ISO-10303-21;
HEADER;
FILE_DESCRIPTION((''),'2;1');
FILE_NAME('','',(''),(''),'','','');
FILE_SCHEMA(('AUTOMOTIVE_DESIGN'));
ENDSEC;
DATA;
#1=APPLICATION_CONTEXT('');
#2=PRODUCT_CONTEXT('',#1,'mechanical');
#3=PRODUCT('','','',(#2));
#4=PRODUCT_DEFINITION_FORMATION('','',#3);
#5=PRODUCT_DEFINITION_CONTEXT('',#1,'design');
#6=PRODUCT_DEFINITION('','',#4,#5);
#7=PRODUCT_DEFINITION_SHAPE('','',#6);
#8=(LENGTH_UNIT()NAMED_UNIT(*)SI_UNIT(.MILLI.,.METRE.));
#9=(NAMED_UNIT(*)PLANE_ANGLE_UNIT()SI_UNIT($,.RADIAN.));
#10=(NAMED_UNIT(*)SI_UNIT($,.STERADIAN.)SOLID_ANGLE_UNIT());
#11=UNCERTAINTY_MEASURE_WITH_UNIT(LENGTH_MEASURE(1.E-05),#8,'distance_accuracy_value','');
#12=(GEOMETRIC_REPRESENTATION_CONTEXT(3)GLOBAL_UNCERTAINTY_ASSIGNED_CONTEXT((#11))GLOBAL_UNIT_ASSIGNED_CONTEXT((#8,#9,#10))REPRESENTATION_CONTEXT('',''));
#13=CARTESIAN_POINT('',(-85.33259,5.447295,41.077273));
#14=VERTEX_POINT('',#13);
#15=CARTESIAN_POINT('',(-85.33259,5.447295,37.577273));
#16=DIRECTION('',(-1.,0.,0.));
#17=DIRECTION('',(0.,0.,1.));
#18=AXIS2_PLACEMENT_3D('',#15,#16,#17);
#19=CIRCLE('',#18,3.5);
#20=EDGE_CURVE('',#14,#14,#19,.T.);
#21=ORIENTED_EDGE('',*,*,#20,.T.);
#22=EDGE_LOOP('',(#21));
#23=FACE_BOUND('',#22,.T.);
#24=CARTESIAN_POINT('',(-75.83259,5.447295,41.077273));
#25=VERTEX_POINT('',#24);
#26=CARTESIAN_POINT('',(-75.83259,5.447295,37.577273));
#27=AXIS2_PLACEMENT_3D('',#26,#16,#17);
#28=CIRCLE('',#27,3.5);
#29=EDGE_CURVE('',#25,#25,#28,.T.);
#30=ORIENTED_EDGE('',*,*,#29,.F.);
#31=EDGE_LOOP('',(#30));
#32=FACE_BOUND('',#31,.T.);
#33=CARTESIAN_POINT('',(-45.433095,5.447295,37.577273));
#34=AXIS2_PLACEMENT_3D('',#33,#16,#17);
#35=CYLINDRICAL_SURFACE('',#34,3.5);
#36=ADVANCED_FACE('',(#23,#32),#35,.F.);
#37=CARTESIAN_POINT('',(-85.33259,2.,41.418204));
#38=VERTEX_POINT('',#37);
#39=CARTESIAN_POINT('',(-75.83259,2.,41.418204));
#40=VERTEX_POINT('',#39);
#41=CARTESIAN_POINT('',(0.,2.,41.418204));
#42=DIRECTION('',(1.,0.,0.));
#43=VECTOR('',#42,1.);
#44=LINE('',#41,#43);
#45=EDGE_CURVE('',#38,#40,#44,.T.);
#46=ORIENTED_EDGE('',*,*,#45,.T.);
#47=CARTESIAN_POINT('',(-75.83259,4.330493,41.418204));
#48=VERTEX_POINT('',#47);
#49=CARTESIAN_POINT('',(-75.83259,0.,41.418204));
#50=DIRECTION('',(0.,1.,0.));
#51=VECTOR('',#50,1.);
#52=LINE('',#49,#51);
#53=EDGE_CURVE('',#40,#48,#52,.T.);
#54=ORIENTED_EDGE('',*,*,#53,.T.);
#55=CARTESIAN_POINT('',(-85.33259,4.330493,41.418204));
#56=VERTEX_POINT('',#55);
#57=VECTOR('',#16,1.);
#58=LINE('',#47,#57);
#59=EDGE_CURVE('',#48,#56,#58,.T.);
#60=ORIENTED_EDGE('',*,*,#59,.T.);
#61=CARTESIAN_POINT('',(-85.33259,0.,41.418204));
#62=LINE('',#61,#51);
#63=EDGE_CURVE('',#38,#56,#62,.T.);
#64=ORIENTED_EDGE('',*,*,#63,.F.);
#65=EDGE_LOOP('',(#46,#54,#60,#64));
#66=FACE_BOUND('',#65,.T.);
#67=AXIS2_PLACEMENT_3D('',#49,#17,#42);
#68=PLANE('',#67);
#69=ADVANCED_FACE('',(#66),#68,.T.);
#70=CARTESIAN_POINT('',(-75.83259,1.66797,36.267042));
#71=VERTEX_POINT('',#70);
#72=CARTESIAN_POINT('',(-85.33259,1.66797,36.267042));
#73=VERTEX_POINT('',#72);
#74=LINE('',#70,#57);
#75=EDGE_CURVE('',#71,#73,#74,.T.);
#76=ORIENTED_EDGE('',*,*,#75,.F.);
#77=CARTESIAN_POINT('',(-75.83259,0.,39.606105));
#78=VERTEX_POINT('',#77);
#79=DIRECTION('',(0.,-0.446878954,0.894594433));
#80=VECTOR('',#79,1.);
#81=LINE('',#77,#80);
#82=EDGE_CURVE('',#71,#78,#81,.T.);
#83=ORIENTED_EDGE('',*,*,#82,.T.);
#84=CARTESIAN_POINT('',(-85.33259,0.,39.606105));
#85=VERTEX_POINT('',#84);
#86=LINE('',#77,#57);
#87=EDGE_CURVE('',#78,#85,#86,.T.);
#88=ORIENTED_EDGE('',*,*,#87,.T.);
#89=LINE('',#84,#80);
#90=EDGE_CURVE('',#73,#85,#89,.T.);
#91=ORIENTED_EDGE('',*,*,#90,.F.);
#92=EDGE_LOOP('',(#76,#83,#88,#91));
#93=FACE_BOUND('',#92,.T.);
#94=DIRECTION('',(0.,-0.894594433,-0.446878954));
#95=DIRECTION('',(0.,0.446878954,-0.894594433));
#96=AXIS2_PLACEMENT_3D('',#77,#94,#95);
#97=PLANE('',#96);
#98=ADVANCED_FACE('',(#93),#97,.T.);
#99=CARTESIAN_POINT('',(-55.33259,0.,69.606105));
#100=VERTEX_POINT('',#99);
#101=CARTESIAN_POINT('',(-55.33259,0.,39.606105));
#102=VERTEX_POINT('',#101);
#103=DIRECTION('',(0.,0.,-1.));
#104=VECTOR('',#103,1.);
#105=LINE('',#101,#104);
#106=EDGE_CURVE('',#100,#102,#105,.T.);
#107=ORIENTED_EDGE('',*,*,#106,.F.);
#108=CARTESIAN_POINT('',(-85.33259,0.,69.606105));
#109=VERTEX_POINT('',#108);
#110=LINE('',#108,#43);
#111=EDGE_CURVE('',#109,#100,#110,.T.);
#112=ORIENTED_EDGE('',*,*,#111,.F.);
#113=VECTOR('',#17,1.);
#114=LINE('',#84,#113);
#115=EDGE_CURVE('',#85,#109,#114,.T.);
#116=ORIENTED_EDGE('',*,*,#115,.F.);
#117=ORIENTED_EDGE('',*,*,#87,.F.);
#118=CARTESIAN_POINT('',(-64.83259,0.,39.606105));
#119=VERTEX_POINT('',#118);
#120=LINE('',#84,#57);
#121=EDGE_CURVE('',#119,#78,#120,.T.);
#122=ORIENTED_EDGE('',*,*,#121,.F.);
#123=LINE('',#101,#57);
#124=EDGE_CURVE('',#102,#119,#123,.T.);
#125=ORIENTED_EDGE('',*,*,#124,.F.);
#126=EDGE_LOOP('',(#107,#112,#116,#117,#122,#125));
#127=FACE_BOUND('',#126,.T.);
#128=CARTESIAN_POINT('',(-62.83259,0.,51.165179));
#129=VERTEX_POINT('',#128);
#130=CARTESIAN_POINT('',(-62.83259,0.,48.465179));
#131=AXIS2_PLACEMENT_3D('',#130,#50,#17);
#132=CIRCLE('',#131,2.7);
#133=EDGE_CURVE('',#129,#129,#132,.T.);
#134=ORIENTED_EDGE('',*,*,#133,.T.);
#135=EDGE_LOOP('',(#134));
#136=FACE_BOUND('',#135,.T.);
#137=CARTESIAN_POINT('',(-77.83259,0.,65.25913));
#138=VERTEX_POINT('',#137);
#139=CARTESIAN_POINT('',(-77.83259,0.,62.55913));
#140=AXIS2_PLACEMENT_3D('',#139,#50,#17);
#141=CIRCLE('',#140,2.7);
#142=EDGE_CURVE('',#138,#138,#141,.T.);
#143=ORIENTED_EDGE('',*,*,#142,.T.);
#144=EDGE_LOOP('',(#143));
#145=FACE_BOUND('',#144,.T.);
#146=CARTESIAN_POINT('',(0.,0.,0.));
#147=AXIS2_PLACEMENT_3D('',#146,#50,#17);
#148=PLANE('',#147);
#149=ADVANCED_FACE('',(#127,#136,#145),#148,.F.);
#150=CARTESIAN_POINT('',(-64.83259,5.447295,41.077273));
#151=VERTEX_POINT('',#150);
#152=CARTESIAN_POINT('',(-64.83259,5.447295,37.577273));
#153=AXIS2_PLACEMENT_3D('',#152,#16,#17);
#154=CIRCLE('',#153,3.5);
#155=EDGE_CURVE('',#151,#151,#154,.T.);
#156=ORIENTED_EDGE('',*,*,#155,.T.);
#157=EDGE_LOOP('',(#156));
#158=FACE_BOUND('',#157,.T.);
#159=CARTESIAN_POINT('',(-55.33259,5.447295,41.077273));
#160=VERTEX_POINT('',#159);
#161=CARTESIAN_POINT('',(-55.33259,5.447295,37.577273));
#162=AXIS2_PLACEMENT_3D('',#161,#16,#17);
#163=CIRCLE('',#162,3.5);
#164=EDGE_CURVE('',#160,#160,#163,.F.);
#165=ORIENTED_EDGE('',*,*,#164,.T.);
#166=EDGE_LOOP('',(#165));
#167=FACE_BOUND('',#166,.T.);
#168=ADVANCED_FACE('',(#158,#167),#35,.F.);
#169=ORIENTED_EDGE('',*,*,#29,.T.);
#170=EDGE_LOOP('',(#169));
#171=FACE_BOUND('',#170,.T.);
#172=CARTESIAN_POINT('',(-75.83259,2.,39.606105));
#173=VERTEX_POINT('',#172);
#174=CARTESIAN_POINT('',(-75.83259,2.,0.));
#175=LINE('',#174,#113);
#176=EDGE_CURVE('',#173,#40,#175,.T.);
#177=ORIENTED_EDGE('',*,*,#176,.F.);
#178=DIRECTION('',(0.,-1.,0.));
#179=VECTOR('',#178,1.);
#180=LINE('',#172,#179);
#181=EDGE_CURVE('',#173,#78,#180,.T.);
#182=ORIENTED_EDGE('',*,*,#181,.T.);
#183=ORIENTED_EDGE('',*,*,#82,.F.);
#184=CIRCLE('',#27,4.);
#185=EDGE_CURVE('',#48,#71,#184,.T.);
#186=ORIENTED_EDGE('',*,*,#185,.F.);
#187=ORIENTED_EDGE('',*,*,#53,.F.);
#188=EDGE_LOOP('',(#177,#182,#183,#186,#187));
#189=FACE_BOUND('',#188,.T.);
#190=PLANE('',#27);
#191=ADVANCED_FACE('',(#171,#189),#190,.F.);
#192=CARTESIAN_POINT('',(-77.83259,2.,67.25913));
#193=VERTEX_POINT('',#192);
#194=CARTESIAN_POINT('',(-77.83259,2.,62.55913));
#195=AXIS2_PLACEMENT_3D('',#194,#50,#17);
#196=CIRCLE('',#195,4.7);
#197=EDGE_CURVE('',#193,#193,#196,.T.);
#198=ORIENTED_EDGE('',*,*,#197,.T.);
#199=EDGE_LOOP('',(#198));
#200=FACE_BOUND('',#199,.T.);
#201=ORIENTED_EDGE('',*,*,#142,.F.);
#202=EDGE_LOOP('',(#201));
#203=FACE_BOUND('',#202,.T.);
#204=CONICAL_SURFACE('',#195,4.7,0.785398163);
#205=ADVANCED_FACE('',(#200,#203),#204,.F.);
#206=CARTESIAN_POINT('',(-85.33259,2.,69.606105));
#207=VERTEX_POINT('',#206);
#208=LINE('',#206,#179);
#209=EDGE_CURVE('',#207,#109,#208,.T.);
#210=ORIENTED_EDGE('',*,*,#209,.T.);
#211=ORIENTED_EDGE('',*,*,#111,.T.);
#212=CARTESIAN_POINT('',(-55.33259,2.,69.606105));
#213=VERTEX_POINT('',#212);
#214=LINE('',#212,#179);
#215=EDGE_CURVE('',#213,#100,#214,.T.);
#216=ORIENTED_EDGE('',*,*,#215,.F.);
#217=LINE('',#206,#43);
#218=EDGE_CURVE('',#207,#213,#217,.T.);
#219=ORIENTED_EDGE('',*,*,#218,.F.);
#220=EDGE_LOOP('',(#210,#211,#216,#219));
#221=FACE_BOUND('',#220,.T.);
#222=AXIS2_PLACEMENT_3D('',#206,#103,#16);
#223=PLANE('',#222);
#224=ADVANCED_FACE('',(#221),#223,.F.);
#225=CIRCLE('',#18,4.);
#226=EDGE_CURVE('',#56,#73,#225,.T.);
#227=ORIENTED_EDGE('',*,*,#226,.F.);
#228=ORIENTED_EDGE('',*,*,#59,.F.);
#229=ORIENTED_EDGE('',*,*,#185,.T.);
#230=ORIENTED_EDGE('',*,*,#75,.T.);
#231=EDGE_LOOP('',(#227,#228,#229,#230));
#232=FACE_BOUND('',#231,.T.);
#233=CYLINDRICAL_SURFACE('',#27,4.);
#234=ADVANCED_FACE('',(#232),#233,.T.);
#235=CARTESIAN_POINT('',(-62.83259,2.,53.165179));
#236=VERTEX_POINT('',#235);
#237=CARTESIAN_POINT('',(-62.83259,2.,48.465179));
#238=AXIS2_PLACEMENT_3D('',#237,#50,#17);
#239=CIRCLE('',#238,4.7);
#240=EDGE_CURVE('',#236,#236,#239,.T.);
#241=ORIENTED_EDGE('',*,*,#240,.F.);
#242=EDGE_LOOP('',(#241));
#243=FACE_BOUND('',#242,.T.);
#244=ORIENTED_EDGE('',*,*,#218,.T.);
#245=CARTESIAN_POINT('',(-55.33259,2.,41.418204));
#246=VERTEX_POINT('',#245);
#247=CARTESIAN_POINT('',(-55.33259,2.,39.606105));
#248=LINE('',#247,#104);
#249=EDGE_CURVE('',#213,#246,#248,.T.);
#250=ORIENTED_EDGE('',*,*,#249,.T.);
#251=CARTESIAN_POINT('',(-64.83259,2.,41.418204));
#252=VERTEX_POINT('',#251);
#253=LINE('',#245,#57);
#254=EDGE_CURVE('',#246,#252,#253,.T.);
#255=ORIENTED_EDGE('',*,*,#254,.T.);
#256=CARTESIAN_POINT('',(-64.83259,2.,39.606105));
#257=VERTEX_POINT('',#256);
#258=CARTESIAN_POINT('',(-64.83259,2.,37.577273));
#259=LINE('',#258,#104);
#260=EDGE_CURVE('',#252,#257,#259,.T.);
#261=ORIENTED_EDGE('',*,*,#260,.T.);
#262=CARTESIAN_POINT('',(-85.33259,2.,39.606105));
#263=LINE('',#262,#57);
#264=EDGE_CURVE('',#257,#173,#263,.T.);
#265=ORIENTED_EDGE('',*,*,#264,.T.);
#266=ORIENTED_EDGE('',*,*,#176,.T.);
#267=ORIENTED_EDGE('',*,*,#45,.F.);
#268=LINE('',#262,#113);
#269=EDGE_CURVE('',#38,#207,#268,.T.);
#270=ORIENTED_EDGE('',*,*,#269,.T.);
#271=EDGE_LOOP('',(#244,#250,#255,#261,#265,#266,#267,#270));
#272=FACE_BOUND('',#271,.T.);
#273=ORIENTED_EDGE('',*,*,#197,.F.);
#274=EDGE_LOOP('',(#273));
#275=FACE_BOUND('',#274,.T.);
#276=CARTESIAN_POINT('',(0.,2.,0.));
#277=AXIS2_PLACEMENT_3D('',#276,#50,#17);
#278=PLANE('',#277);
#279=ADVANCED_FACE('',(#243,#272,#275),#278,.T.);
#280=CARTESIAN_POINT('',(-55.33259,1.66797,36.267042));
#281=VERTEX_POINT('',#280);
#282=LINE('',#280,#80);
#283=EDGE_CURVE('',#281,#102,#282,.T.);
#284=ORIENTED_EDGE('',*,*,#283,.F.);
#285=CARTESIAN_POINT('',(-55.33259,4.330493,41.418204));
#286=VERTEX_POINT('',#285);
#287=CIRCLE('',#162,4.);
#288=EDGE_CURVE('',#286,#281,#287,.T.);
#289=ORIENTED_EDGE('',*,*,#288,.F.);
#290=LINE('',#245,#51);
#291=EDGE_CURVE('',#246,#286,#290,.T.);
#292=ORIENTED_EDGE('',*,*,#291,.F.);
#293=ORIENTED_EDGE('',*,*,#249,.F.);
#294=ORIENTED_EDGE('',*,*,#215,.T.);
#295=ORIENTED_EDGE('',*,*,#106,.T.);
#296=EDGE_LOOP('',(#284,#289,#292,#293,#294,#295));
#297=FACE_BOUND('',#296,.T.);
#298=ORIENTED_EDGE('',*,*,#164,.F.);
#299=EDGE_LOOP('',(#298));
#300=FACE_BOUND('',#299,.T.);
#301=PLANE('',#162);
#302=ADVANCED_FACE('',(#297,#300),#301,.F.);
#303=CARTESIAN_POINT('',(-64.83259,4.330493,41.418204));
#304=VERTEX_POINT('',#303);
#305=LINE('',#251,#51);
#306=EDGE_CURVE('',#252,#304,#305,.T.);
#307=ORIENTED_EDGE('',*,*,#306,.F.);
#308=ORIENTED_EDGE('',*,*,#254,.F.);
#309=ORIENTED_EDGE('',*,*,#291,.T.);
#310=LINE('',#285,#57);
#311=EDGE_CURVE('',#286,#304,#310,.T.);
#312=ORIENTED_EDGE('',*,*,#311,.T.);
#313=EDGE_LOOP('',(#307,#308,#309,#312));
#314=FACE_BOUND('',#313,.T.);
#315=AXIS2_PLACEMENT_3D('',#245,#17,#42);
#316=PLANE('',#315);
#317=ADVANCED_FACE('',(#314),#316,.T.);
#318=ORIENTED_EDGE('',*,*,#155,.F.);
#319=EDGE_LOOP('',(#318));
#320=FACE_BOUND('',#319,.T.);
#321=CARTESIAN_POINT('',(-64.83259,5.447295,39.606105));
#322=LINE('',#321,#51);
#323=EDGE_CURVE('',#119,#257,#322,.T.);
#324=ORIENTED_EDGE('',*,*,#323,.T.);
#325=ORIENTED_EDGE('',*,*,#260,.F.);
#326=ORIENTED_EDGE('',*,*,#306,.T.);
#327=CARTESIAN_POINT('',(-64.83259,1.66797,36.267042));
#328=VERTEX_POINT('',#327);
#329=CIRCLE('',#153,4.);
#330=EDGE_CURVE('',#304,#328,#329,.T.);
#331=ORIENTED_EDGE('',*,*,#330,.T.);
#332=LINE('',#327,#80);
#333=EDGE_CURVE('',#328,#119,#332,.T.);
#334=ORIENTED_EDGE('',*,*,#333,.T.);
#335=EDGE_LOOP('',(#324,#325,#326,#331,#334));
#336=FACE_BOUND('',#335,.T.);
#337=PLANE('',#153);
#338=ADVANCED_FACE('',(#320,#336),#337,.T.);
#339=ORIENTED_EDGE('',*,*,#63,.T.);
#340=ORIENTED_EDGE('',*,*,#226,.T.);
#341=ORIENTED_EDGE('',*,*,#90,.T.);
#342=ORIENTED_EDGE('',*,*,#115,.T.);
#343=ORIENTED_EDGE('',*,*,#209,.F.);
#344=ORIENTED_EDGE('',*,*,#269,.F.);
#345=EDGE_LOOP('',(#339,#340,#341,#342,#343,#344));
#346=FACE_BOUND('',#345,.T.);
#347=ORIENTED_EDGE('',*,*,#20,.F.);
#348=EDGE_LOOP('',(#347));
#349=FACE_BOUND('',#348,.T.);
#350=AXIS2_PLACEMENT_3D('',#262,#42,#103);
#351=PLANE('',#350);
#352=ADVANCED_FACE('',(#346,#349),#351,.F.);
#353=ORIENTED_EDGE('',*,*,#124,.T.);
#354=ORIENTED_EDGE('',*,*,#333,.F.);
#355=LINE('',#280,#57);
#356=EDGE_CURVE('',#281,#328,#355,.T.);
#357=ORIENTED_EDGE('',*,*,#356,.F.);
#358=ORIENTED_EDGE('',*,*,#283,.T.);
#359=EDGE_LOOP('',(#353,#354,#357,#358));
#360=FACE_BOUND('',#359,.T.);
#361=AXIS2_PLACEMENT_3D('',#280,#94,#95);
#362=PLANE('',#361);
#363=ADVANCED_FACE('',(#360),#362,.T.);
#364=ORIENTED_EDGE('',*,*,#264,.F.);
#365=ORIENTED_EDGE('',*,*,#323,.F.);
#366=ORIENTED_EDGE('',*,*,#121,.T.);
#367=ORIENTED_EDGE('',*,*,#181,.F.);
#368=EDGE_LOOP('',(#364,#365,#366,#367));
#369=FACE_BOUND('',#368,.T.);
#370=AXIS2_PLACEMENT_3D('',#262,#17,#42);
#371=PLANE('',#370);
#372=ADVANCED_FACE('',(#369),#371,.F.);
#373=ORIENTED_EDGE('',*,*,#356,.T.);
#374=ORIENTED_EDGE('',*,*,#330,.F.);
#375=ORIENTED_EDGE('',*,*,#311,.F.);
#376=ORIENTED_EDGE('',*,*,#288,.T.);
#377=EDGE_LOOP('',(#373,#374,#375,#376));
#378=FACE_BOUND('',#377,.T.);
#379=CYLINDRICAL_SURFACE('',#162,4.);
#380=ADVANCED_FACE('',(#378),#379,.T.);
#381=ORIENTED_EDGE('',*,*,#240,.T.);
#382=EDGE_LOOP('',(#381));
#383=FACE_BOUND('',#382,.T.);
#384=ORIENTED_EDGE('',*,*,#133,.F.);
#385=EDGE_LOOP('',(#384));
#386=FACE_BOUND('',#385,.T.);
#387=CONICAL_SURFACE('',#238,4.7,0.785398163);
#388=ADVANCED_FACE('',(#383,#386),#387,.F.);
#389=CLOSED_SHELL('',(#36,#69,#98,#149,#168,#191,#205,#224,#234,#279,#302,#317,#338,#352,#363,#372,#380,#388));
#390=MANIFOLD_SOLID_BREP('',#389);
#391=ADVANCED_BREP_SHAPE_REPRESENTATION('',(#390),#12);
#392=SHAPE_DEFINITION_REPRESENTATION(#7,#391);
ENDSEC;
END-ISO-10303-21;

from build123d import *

# Parameters (mm, degrees)
SKETCH_1_W                  = 30
SKETCH_1_H                  = 30
EXTRUDE_1_DEPTH             = 2
SKETCH_2_R                  = 4
EXTRUDE_2_DEPTH             = 9.5
SKETCH_3_R                  = 4
EXTRUDE_3_DEPTH             = 9.5
CUT_EXTRUDE_START           = -30
SKETCH_4_R                  = 3.5
CUT_EXTRUDE_1_DEPTH         = 30
EXTRUDE_4_DEPTH             = 9.5
EXTRUDE_START               = -9.5
EXTRUDE_5_DEPTH             = 9.5
HOLE_WIZARD_M41_D           = 4.5
HOLE_WIZARD_M41_DEPTH       = 21
HOLE_WIZARD_M41_CSINK_D     = 9.4
HOLE_WIZARD_M41_CSINK_ANGLE = 90
HOLE_WIZARD_M41_TIP         = 1.351936393


with BuildPart() as part:
    # Эскиз1 → Бобышка-Вытянуть1 (new body)
    with BuildSketch(Plane(origin=(0, 0, 0), x_dir=(1, 0, 0), z_dir=(0, 1, 0))):
        with Locations((-70.332590066, -54.606104746)):
            Rectangle(SKETCH_1_W, SKETCH_1_H)
    extrude(amount=EXTRUDE_1_DEPTH)



with BuildPart() as body_2:
    # Эскиз2 → Бобышка-Вытянуть2 (new body)
    with BuildSketch(Plane.ZY.offset(85.332590066)):
        with Locations((37.577272985, 5.447294836)):
            Circle(SKETCH_2_R)
    extrude(amount=-EXTRUDE_2_DEPTH)


with BuildPart() as body_3:
    # Эскиз3 → Бобышка-Вытянуть3 (new body)
    with BuildSketch(Plane.ZY.offset(64.832590066)):
        with Locations((37.577272985, 5.447294836)):
            Circle(SKETCH_3_R)
    extrude(amount=-EXTRUDE_3_DEPTH)


with BuildPart() as cut_extrude_1_tool:
    # Эскиз4 → Вырез-Вытянуть1 (new body)
    with BuildSketch(Plane.ZY.offset(85.332590066).offset(CUT_EXTRUDE_START)):
        with Locations((37.577272985, 5.447294836)):
            Circle(SKETCH_4_R)
    extrude(amount=CUT_EXTRUDE_1_DEPTH)


with BuildPart() as body_2_1:
    add(body_2.part)

    # Вырез-Вытянуть1: cut by cut_extrude_1_tool
    add(cut_extrude_1_tool.part, mode=Mode.SUBTRACT)


with BuildPart() as body_3_1:
    add(body_3.part)

    # Вырез-Вытянуть1: cut by cut_extrude_1_tool
    add(cut_extrude_1_tool.part, mode=Mode.SUBTRACT)


with BuildPart() as part_1:
    add(part.part)

    add(body_2_1.part)  # Бобышка-Вытянуть4 merges body 2
    # Эскиз5 → Бобышка-Вытянуть4 (add)
    with BuildSketch(Plane.ZY.offset(85.332590066)):
        with BuildLine():
            Line((39.606104746, 0), (36.267042135, 1.667970145))
            ThreePointArc((36.267042135, 1.667970145), (39.413946145, 1.89389763), (41.418204347, 4.330493028))
            Line((41.418204347, 4.330493028), (41.418204347, 0))
            Line((41.418204347, 0), (39.606104746, 0))
        make_face()
    extrude(amount=-EXTRUDE_4_DEPTH)


    add(body_3_1.part)  # Бобышка-Вытянуть5 merges body 3
    # Эскиз6 → Бобышка-Вытянуть5 (add)
    with BuildSketch(Plane.ZY.offset(64.832590066).offset(EXTRUDE_START)):
        with BuildLine():
            Line((41.418204347, 2), (41.418204347, 4.330493028))
            Line((41.418204347, 4.330493028), (40.83906741, 4.178162405))
            ThreePointArc((40.83906741, 4.178162405), (39.143105824, 2.317092363), (36.636762804, 2.076027923))
            Line((36.636762804, 2.076027923), (36.267042135, 1.667970145))
            Line((36.267042135, 1.667970145), (39.606104746, 0))
            Line((39.606104746, 0), (41.418204347, 2))
        make_face()
    extrude(amount=EXTRUDE_5_DEPTH)

    # Зенковка для  винта с плоской головкой M41
    with Locations(Plane(origin=(0, 2, 0), x_dir=(1, 0, 0), z_dir=(0, 1, 0))):
        with Locations((-62.832590066, -48.465179446), (-77.832590066, -62.559129646)):
            CounterSinkHole(HOLE_WIZARD_M41_D / 2, HOLE_WIZARD_M41_CSINK_D / 2, depth=HOLE_WIZARD_M41_DEPTH, counter_sink_angle=HOLE_WIZARD_M41_CSINK_ANGLE)
            with Locations((0, 0, -(HOLE_WIZARD_M41_DEPTH + HOLE_WIZARD_M41_TIP / 2))):  # 118° drill point
                Cone(0, HOLE_WIZARD_M41_D / 2, HOLE_WIZARD_M41_TIP, mode=Mode.SUBTRACT)


solid = part_1.part
